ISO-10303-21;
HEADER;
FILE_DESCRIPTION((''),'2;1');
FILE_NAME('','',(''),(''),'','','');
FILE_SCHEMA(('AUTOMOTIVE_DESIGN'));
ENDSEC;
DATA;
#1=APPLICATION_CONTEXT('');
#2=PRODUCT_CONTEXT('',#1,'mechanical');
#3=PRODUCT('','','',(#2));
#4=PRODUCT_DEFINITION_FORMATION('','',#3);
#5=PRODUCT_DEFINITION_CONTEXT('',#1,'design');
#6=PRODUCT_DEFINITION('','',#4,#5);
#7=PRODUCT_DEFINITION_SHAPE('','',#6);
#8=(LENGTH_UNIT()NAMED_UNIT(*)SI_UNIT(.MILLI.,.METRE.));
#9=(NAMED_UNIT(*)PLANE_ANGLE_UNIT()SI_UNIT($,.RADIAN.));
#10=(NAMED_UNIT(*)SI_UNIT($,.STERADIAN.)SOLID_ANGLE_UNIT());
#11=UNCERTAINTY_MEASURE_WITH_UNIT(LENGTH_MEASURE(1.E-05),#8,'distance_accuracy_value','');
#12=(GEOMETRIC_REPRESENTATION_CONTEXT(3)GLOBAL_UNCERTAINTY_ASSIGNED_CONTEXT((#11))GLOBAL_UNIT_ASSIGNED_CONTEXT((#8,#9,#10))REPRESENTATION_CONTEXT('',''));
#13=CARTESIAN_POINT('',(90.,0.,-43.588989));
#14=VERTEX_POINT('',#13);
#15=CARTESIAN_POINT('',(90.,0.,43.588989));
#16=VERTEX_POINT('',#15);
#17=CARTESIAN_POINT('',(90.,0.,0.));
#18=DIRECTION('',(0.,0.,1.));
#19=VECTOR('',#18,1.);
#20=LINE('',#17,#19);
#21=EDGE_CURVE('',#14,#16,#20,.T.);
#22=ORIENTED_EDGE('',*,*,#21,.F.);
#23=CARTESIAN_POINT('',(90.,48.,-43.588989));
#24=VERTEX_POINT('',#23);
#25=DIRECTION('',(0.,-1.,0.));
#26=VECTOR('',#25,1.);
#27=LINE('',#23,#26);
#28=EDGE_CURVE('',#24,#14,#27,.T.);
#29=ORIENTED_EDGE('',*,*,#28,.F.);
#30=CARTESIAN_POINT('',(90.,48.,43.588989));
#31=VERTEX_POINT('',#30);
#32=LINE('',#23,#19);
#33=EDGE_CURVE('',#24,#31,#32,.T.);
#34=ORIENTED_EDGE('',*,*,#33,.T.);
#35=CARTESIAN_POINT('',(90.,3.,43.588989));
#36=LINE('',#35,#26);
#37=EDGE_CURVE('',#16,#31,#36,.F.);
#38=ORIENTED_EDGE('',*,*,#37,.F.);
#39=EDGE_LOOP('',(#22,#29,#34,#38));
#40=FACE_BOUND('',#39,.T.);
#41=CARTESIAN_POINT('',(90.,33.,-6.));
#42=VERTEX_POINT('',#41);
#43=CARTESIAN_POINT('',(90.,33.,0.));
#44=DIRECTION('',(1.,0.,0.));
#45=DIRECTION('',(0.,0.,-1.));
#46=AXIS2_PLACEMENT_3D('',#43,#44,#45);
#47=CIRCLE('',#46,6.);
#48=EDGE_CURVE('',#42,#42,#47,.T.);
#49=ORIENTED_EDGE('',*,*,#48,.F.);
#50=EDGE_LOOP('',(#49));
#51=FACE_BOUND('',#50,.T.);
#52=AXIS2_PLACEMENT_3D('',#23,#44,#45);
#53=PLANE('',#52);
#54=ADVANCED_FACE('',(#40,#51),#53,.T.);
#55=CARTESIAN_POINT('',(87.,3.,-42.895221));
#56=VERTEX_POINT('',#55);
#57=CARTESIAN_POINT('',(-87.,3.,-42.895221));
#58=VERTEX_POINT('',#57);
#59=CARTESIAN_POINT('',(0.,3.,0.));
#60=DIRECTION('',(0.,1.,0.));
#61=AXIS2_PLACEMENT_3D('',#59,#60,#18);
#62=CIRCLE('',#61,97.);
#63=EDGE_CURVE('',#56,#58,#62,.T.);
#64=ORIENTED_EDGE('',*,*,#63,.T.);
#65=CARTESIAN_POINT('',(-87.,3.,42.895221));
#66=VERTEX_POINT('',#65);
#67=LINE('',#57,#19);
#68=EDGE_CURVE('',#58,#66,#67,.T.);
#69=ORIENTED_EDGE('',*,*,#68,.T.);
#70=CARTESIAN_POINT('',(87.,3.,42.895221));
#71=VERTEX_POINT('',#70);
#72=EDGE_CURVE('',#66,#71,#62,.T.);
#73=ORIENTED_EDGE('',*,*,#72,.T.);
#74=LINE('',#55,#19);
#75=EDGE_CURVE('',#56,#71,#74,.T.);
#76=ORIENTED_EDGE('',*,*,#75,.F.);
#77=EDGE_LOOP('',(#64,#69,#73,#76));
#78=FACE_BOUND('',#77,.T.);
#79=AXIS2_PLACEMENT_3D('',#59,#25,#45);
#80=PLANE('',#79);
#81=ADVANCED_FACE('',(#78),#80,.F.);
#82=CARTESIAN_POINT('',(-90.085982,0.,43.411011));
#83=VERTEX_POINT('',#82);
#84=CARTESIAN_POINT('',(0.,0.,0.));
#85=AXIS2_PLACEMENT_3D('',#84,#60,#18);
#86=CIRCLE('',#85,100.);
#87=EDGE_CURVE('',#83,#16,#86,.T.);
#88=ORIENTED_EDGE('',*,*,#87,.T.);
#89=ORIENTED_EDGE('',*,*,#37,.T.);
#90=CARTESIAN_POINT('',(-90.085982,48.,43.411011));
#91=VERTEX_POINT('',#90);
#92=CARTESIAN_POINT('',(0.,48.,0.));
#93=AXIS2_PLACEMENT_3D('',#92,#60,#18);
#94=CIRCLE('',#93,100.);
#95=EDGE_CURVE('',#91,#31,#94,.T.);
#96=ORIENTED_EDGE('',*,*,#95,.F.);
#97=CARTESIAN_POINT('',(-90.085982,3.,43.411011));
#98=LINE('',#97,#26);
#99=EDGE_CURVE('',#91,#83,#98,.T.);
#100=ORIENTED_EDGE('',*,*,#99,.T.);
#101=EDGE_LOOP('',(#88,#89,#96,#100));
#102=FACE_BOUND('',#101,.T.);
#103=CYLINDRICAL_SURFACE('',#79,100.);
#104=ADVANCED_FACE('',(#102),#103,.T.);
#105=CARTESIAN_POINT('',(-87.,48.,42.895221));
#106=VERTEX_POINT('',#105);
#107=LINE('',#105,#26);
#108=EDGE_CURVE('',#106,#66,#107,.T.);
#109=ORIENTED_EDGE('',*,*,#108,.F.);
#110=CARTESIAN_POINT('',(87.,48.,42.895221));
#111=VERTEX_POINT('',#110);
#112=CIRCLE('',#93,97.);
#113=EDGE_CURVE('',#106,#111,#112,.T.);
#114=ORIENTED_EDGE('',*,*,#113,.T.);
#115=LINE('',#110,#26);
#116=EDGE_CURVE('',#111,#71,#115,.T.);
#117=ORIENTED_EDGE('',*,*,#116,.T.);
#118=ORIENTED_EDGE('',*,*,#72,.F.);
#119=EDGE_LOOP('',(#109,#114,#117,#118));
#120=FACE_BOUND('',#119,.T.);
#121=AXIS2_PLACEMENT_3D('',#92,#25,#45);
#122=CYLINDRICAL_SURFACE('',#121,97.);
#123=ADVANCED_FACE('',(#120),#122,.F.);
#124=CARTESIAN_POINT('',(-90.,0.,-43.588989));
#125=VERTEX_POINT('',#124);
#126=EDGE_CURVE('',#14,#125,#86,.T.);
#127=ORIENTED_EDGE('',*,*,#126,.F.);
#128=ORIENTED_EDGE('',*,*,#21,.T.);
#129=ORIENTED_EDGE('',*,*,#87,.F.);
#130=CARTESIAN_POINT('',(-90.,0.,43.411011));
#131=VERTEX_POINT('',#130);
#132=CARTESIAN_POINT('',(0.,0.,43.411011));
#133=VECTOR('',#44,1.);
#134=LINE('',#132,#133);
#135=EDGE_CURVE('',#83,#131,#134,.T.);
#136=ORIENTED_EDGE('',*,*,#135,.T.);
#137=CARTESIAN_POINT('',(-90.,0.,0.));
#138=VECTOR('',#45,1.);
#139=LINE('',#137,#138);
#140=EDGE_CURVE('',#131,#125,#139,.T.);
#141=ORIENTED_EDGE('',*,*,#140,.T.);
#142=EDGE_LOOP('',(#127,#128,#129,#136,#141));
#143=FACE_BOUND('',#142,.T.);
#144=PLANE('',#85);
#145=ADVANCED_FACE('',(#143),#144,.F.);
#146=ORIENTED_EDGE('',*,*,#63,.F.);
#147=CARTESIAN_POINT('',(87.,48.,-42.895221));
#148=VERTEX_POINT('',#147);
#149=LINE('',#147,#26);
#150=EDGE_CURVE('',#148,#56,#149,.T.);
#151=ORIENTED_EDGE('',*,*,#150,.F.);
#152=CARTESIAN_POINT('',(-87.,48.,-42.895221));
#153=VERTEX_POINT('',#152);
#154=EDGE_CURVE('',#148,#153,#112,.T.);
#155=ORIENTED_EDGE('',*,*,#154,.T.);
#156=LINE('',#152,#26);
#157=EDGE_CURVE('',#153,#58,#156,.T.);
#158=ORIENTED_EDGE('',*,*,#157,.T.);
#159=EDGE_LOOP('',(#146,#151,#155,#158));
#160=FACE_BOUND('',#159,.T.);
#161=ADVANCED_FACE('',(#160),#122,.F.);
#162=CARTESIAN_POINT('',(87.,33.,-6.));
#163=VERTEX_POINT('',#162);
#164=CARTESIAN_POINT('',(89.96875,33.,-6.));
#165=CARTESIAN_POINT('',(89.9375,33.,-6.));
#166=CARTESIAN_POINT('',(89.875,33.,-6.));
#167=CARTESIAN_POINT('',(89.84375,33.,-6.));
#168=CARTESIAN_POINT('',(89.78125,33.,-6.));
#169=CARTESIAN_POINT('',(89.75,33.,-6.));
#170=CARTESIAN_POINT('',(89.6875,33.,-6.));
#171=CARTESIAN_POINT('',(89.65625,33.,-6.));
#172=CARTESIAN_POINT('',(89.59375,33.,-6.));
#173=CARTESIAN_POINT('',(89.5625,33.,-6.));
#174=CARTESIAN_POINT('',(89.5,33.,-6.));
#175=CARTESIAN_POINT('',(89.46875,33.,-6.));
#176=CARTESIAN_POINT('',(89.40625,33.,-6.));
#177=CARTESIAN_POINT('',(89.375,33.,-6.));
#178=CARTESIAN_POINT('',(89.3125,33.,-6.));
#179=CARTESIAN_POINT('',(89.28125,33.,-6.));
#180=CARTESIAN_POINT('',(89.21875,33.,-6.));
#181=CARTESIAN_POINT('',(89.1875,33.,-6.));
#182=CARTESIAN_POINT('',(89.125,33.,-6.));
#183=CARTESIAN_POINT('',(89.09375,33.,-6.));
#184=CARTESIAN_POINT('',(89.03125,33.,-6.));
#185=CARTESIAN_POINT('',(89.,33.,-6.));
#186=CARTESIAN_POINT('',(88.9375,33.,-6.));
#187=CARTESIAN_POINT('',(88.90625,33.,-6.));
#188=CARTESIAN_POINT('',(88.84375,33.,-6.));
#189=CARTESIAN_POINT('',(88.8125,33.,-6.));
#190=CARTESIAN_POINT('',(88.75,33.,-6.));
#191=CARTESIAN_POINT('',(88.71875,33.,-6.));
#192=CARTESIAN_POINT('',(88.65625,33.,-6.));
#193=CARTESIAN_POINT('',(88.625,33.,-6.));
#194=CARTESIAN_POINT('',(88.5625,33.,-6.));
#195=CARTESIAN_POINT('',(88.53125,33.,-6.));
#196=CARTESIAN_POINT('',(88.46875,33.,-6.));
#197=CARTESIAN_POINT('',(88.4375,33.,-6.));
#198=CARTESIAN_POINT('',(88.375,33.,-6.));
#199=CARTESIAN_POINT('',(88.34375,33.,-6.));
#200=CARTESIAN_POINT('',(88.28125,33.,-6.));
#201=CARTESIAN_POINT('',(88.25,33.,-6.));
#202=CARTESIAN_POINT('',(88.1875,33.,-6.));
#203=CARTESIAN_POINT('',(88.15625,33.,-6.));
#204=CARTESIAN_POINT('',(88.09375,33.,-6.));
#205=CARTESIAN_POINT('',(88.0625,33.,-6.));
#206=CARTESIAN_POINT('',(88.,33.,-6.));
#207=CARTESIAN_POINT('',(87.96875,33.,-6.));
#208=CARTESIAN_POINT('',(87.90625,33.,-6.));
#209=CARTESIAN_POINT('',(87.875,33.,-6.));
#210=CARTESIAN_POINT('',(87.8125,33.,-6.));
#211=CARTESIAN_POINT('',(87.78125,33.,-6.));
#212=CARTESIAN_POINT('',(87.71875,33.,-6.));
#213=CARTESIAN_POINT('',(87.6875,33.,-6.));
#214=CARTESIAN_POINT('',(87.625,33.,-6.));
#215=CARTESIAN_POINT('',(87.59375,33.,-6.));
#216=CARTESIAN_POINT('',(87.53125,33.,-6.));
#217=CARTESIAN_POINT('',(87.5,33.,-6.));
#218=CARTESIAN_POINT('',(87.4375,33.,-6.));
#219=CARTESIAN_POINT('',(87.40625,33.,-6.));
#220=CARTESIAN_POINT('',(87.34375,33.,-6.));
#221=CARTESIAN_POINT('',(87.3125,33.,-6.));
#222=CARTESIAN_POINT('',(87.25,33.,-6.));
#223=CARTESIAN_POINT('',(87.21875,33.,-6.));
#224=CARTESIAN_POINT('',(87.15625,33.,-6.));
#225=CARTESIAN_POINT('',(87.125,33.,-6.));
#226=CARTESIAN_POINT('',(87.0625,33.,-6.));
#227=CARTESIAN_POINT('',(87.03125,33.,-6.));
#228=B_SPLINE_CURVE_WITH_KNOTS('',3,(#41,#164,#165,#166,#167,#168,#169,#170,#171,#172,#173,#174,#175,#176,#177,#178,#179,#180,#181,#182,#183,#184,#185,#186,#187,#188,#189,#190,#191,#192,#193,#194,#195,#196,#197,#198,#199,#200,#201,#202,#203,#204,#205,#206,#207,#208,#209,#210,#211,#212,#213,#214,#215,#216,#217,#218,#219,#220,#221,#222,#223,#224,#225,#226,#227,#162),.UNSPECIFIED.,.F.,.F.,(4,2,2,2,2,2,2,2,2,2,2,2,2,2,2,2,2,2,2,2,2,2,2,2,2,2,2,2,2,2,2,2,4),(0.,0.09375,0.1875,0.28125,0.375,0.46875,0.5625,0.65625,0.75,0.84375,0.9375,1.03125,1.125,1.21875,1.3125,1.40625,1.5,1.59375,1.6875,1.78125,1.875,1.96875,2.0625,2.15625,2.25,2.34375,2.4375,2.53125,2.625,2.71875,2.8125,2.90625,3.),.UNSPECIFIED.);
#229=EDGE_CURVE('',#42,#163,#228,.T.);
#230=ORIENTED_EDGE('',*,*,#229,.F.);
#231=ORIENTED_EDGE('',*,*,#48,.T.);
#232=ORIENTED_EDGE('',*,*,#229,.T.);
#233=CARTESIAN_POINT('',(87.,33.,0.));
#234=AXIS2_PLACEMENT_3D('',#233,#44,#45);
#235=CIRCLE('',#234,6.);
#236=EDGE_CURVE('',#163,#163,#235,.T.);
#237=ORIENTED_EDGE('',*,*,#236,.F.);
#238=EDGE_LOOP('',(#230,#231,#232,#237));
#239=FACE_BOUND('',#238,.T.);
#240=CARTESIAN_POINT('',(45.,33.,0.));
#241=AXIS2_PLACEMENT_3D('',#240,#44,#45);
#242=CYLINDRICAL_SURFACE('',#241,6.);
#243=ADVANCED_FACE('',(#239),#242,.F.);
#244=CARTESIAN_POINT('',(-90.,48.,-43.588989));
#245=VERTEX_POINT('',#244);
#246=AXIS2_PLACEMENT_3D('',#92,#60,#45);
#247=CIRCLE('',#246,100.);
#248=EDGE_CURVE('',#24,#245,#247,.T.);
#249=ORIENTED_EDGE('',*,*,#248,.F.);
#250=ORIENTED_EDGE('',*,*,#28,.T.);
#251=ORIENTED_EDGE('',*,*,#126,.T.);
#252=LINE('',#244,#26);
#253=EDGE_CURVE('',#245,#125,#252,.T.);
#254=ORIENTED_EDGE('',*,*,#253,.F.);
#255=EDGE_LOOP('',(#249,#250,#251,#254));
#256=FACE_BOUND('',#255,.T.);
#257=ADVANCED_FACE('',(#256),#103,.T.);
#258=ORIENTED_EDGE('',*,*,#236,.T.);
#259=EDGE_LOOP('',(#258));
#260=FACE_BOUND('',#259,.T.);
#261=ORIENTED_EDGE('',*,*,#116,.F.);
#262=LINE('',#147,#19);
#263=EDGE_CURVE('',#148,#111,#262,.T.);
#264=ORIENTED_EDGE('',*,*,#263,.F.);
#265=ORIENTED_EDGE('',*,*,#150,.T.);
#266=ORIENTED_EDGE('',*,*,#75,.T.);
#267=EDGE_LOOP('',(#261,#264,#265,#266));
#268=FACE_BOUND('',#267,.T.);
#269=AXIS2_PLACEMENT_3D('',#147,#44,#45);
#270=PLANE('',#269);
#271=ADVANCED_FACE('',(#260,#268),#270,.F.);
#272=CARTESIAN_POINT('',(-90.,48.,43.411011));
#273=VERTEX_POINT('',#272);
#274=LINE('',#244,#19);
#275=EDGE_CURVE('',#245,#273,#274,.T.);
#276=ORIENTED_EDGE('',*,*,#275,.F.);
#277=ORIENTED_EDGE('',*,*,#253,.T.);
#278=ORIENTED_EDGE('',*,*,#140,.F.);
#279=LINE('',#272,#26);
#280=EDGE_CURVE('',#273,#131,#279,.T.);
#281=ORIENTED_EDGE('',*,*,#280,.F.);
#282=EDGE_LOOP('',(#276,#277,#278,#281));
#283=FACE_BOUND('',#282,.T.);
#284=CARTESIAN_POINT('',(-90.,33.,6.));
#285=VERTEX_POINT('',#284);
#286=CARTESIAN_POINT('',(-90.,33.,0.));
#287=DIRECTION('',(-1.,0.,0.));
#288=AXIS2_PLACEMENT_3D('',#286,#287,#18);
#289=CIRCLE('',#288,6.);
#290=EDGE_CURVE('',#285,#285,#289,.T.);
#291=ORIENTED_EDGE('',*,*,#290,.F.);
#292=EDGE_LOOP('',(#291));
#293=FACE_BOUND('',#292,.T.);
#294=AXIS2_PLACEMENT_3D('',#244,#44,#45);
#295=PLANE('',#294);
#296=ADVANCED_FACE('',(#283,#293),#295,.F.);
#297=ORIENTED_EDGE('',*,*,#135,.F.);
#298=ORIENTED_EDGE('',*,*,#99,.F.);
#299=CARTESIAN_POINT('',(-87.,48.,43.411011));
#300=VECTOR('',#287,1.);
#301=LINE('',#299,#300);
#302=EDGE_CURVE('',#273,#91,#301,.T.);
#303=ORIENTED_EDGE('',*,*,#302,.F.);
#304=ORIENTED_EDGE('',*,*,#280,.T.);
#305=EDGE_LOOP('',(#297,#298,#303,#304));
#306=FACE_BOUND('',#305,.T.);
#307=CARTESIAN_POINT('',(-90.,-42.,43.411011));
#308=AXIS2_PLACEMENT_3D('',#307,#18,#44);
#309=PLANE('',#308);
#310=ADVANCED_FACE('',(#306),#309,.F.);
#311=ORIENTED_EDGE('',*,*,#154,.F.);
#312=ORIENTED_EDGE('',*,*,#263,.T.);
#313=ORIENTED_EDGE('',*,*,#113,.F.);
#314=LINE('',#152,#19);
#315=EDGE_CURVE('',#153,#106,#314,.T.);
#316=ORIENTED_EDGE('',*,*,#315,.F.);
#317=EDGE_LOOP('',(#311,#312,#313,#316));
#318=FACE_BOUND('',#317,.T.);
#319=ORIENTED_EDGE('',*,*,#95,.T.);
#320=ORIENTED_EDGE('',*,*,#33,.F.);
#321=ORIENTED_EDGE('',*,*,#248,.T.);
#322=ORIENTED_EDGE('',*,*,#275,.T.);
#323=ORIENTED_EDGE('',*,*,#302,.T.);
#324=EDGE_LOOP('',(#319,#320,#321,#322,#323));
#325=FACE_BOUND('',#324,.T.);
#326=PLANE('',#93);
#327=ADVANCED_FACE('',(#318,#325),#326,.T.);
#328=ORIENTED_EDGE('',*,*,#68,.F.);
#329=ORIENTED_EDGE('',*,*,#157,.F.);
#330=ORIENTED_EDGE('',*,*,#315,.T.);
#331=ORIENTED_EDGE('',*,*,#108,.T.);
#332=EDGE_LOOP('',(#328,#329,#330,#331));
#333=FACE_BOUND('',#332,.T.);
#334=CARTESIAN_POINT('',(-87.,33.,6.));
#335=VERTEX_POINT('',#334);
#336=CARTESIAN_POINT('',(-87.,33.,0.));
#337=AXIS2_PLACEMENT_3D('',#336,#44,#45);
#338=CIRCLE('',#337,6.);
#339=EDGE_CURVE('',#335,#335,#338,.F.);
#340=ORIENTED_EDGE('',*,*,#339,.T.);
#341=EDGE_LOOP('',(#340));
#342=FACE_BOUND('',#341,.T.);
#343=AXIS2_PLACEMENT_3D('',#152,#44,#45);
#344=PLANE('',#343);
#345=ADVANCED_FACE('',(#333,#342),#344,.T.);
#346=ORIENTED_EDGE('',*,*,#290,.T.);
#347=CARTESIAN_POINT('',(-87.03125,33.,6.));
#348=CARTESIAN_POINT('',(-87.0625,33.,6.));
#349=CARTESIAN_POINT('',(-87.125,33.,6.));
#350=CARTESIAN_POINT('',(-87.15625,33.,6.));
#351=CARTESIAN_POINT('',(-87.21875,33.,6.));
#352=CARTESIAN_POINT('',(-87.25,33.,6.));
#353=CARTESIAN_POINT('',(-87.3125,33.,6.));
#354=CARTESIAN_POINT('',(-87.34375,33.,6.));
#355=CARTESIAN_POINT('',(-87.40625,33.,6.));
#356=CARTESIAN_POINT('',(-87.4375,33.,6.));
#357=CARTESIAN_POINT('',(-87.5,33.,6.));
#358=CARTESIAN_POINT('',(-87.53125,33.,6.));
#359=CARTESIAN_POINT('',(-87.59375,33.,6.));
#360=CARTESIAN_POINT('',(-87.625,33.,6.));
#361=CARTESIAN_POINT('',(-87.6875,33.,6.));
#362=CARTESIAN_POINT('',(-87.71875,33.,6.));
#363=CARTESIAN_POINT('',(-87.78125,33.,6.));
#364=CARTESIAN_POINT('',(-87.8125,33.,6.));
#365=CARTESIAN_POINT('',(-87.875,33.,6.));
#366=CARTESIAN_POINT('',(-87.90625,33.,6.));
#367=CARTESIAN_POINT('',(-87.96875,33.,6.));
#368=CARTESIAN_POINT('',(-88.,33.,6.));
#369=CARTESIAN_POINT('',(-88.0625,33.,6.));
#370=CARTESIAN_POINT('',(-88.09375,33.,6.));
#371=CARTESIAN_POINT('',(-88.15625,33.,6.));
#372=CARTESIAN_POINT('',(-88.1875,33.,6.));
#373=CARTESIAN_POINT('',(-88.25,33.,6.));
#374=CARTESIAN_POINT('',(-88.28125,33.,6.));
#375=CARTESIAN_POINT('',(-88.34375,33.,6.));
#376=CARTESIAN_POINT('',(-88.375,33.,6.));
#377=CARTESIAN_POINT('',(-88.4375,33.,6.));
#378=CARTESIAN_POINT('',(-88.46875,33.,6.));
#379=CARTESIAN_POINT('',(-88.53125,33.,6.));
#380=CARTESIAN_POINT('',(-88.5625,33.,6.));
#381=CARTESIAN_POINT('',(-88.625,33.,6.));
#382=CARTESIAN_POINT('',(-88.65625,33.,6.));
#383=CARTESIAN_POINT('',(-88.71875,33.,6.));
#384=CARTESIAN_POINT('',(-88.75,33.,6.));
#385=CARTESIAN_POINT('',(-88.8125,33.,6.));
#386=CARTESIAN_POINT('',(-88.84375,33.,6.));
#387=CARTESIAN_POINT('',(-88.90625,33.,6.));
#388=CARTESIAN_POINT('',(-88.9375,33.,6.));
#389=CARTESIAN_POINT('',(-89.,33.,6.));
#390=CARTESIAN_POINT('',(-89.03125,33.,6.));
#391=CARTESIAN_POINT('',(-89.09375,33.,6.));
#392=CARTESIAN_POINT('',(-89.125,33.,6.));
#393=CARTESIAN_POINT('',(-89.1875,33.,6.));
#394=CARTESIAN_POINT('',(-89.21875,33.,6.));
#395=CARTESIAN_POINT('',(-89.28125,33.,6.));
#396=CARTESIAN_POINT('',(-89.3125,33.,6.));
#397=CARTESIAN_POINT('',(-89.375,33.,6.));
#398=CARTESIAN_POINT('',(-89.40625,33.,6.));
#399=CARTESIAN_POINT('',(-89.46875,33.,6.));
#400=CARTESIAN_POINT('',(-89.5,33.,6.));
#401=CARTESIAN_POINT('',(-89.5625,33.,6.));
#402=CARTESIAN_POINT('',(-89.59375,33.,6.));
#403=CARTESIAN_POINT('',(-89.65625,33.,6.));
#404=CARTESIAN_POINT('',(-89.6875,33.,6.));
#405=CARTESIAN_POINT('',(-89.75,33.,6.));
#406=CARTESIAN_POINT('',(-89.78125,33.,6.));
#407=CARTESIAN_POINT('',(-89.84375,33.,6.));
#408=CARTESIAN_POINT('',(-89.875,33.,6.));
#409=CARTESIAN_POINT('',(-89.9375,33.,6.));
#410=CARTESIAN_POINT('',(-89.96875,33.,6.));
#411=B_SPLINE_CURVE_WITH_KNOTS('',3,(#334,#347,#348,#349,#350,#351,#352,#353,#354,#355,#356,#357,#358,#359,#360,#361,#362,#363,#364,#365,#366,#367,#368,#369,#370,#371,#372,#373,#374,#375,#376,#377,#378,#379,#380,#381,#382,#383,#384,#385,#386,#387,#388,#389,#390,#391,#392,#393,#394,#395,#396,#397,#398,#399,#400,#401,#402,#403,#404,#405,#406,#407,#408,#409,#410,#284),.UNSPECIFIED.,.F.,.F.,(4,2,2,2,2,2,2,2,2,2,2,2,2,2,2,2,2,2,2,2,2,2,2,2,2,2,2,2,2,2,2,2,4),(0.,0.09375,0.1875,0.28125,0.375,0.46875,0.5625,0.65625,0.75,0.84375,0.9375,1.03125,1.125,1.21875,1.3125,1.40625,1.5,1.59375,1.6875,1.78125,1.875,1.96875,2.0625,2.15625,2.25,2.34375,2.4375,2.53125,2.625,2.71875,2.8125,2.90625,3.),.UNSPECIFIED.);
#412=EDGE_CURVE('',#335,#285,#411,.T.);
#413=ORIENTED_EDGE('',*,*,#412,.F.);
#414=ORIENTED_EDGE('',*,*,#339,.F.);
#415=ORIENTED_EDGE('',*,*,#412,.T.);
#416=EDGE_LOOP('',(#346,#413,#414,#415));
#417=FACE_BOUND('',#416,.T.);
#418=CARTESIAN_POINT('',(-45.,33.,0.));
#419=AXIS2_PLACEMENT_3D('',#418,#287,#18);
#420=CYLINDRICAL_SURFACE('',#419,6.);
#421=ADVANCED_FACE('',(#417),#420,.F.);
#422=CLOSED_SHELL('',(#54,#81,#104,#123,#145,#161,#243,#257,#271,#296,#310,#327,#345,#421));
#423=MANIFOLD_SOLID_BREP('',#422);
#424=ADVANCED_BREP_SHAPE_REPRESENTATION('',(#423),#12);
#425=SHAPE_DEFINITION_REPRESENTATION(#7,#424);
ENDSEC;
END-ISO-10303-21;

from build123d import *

# Parameters (mm, degrees)
SKETCH1_R           = 100
BOSS_EXTRUDE2_DEPTH = 3
SKETCH5_W           = 3
SKETCH5_H           = 87
BOSS_EXTRUDE5_DEPTH = 45
SKETCH8_W           = 3
SKETCH8_H           = 87
BOSS_EXTRUDE6_DEPTH = 45
SKETCH9_W           = 23.719660605
SKETCH9_H           = 94.301811056
CUT_EXTRUDE2_DEPTH  = 45
SKETCH10_W          = 23.969699351
SKETCH10_H          = 92.447375273
CUT_EXTRUDE3_DEPTH  = 45
SKETCH11_R          = 6
CUT_EXTRUDE4_DEPTH  = 45
SKETCH12_R          = 6
CUT_EXTRUDE5_DEPTH  = 45
BOSS_EXTRUDE7_DEPTH = 45
CUT_EXTRUDE6_DEPTH  = 45


with BuildPart() as part:
    # Sketch1 → Boss-Extrude2 (new body)
    with BuildSketch(Plane(origin=(0, 0, 0), x_dir=(1, 0, 0), z_dir=(0, 1, 0))):
        with Locations(Location((0, 0, 0), (0, 0, 270))):
            Circle(SKETCH1_R)
    extrude(amount=BOSS_EXTRUDE2_DEPTH)

    # Sketch5 → Boss-Extrude5 (add)
    with BuildSketch(Plane(origin=(0, 3, 0), x_dir=(1, 0, 0), z_dir=(0, 1, 0))):
        with Locations((88.5, 0.088989435)):
            Rectangle(SKETCH5_W, SKETCH5_H)
    extrude(amount=BOSS_EXTRUDE5_DEPTH)

    # Sketch8 → Boss-Extrude6 (add)
    with BuildSketch(Plane(origin=(0, 3, 0), x_dir=(1, 0, 0), z_dir=(0, 1, 0))):
        with Locations((-88.5, 0.088989435)):
            Rectangle(SKETCH8_W, SKETCH8_H)
    extrude(amount=BOSS_EXTRUDE6_DEPTH)

    # Sketch9 → Cut-Extrude2 (cut)
    with BuildSketch(Plane(origin=(0, 3, 0), x_dir=(1, 0, 0), z_dir=(0, 1, 0))):
        with Locations((101.859830303, -3.561916093)):
            Rectangle(SKETCH9_W, SKETCH9_H)
    extrude(amount=-CUT_EXTRUDE2_DEPTH, mode=Mode.SUBTRACT)

    # Sketch10 → Cut-Extrude3 (cut)
    with BuildSketch(Plane(origin=(0, 3, 0), x_dir=(1, 0, 0), z_dir=(0, 1, 0))):
        with Locations((-101.984849676, 2.812677071)):
            Rectangle(SKETCH10_W, SKETCH10_H)
    extrude(amount=-CUT_EXTRUDE3_DEPTH, mode=Mode.SUBTRACT)

    # Sketch11 → Cut-Extrude4 (cut)
    with BuildSketch(Plane.ZY.offset(90)):
        with Locations((0, 33)):
            Circle(SKETCH11_R)
    extrude(amount=-CUT_EXTRUDE4_DEPTH, mode=Mode.SUBTRACT)

    # Sketch12 → Cut-Extrude5 (cut)
    with BuildSketch(Plane(origin=(90, 0, 0), x_dir=(0, 0, -1), z_dir=(1, 0, 0))):
        with Locations(Location((0, 33, 0), (0, 0, 180))):
            Circle(SKETCH12_R)
    extrude(amount=-CUT_EXTRUDE5_DEPTH, mode=Mode.SUBTRACT)

    # Sketch14 → Boss-Extrude7 (add)
    with BuildSketch(Plane(origin=(0, 3, 0), x_dir=(1, 0, 0), z_dir=(0, 1, 0))):
        with BuildLine():
            Line((-90, -43.411010565), (-90.085982049, -43.411010565))
            ThreePointArc((-90.085982049, -43.411010565), (-0.098829893, -99.999951163), (90, -43.588989435))
            Line((90, -43.588989435), (90, -43.411010565))
            Line((90, -43.411010565), (87, -43.411010565))
            Line((87, -43.411010565), (87, 43.588989435))
            Line((87, 43.588989435), (90, 43.588989435))
            ThreePointArc((90, 43.588989435), (0, 100), (-90, 43.588989435))
            Line((-90, 43.588989435), (-87, 43.588989435))
            Line((-87, 43.588989435), (-87, -43.411010565))
            Line((-87, -43.411010565), (-90, -43.411010565))
        make_face()
    extrude(amount=BOSS_EXTRUDE7_DEPTH)

    # 3DSketch1 → Cut-Extrude6 (cut)
    with BuildSketch(Plane(origin=(-87, 48, -42.895221179), x_dir=(0.8969072164948455, 0, 0.4422187750417981), z_dir=(0, -1, 0))):
        with BuildLine():
            Line((0, 0), (37.93814433, 76.946066857))
            ThreePointArc((37.93814433, 76.946066857), (139.895221179, 87), (194, 0))
            Line((194, 0), (156.06185567, -76.946066857))
            ThreePointArc((156.06185567, -76.946066857), (54.104778821, -87), (0, 0))
        make_face()
    extrude(amount=CUT_EXTRUDE6_DEPTH, mode=Mode.SUBTRACT)


solid = part.part
